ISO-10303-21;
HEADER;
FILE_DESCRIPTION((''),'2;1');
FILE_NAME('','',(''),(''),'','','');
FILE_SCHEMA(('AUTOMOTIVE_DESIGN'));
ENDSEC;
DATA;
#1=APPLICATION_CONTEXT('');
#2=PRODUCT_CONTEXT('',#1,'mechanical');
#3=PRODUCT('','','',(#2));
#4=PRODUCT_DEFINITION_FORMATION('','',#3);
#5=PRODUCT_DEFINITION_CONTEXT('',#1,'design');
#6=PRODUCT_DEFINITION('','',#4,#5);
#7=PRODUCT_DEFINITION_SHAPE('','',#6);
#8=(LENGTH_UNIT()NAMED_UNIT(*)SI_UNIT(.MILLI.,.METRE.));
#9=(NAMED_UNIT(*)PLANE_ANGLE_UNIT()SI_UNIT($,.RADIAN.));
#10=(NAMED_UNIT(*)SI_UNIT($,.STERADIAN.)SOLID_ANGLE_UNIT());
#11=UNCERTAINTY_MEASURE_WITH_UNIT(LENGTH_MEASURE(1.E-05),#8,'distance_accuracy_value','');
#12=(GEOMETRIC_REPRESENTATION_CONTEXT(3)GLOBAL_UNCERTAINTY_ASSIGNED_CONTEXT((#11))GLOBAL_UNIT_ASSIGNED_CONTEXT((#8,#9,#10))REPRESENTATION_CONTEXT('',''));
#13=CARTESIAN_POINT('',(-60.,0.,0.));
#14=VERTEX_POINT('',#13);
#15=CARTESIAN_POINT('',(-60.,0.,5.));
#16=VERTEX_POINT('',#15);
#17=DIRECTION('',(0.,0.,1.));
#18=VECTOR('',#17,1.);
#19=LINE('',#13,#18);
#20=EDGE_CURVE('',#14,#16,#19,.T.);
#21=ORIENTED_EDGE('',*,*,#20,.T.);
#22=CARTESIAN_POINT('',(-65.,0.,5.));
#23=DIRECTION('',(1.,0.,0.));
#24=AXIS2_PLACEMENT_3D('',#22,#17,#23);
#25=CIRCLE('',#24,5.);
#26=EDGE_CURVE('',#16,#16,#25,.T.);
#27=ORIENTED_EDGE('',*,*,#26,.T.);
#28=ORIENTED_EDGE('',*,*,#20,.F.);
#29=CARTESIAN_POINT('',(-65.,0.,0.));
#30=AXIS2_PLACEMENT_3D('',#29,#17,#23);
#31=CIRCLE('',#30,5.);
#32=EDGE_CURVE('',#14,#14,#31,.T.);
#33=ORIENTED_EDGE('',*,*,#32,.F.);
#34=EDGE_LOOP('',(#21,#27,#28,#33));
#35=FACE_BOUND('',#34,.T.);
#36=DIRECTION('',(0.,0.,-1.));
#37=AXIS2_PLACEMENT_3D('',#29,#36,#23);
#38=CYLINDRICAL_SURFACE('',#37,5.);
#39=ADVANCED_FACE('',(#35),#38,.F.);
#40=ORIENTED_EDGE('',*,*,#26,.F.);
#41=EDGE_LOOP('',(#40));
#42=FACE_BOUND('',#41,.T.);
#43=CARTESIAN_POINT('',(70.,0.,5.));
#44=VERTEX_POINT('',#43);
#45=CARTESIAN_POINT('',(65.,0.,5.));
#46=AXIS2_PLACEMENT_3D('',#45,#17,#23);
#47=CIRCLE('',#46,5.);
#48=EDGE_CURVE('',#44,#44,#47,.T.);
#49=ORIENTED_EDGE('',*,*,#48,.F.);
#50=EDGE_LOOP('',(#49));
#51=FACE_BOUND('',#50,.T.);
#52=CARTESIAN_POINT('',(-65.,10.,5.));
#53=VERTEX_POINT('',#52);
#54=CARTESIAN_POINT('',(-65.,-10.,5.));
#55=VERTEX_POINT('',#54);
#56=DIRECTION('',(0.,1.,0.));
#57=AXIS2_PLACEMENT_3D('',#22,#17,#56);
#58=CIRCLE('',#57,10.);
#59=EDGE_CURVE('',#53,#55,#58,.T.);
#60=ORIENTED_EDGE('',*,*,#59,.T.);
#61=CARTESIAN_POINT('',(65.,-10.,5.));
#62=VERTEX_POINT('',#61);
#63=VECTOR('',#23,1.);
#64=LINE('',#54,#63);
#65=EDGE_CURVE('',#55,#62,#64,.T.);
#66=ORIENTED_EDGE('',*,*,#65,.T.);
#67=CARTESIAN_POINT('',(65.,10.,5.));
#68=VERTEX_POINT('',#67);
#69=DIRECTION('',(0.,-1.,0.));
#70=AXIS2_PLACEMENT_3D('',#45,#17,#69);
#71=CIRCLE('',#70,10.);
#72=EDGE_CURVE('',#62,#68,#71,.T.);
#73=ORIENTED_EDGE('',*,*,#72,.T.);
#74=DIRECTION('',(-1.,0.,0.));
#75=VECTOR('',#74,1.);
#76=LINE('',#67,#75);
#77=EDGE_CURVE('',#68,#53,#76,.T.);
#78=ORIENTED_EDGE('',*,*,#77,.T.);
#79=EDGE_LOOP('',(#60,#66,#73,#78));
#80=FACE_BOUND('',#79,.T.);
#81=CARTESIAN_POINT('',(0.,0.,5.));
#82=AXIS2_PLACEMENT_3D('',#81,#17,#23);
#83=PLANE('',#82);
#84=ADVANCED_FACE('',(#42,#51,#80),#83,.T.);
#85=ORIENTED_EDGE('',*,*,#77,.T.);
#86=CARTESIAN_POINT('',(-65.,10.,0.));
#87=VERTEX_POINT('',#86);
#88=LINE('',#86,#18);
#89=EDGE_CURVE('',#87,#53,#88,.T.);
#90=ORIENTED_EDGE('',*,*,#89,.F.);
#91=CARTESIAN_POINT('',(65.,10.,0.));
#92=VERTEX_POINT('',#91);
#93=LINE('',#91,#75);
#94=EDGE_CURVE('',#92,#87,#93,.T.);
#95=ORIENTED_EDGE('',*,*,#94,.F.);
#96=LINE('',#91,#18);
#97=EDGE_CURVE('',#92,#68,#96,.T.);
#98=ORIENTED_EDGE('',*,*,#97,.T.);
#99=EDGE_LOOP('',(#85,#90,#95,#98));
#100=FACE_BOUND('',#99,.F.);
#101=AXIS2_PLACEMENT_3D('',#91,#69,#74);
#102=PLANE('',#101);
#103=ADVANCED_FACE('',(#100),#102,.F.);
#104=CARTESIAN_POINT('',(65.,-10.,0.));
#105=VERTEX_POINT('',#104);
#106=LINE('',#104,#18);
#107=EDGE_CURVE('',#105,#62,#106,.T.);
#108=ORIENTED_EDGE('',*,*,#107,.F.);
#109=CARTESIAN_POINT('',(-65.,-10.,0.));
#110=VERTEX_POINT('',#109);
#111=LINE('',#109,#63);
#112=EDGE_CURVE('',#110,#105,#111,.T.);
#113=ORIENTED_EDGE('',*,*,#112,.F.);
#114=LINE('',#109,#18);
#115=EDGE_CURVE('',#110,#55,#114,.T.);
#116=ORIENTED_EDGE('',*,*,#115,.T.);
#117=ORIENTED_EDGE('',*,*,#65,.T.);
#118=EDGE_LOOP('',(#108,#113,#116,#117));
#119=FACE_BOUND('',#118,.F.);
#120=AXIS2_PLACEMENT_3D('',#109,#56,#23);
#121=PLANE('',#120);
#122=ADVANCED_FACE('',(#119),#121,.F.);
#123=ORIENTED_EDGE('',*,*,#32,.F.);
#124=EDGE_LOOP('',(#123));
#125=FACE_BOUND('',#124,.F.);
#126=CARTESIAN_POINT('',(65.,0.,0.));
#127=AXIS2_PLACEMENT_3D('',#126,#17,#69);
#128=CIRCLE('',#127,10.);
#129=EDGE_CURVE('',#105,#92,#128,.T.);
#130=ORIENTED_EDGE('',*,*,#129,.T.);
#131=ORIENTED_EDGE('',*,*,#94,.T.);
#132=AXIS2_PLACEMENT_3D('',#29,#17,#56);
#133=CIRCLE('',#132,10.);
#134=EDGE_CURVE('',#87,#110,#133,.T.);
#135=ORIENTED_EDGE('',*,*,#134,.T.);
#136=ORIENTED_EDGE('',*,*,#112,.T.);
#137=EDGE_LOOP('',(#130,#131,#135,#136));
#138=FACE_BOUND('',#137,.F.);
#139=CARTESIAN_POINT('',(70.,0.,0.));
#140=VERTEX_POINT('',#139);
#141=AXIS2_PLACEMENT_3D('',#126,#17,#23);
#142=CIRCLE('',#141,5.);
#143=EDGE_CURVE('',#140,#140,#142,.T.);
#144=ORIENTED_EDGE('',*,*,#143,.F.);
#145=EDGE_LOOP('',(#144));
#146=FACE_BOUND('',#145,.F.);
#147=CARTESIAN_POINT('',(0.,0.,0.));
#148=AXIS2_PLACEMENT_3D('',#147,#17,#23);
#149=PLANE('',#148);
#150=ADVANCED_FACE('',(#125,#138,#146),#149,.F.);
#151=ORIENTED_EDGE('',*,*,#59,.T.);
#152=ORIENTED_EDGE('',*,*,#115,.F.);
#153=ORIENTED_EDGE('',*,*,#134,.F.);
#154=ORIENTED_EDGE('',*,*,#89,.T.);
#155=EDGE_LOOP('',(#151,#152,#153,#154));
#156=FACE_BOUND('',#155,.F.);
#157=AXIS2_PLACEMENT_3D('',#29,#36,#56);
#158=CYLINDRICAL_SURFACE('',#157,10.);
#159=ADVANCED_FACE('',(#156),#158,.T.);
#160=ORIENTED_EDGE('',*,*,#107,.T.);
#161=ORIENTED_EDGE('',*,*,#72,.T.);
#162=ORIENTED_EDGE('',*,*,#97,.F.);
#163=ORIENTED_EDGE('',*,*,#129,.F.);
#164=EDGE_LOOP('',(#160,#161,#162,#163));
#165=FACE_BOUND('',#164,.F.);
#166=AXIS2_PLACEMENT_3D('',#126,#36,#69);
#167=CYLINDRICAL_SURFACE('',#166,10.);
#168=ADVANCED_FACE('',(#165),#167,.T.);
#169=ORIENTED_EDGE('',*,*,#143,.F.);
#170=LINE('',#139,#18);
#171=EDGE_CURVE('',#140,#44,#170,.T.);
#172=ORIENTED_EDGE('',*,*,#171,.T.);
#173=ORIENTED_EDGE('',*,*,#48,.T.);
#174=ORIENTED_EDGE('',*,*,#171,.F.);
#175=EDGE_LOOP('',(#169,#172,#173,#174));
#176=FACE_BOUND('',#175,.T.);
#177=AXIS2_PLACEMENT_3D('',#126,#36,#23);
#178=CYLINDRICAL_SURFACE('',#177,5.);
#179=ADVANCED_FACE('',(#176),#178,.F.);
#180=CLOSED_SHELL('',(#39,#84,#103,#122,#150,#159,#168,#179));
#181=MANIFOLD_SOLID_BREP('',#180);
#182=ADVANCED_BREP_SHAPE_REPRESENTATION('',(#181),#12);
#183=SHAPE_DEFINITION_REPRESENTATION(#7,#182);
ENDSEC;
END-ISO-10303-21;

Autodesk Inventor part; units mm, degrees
ref_plane "YZ Plane" through (0, 0, 0) normal (1, 0, 0) x (0, 1, 0)
ref_plane "XZ Plane" through (0, 0, 0) normal (0, 1, 0) x (-1, 0, 0)
ref_plane "XY Plane" through (0, 0, 0) normal (0, 0, 1) x (1, 0, 0)
sketch "스케치1" plane through (0, 0, 0) normal (0, 0, 1) x (1, 0, 0)
  line L0 (-65, 0) -> (65, 0) construction
  line L1 (-65, -10) -> (65, -10)
  line L2 (65, 10) -> (-65, 10)
  arc A0 (-65, 10) -> (-65, -10) centre (-65, 0) ccw
  arc A1 (65, -10) -> (65, 10) centre (65, 0) ccw
  circle A2 centre (-65, 0) radius 5
  circle A3 centre (65, 0) radius 5
  point P0 (0, 0)
  dimension "d1" = 20
  dimension "d2" = 10
  dimension "d3" = 10
  dimension "d4" = 130
extrude "돌출1" add sketch "스케치1" along normal blind 5
properties part number "link_l1"
